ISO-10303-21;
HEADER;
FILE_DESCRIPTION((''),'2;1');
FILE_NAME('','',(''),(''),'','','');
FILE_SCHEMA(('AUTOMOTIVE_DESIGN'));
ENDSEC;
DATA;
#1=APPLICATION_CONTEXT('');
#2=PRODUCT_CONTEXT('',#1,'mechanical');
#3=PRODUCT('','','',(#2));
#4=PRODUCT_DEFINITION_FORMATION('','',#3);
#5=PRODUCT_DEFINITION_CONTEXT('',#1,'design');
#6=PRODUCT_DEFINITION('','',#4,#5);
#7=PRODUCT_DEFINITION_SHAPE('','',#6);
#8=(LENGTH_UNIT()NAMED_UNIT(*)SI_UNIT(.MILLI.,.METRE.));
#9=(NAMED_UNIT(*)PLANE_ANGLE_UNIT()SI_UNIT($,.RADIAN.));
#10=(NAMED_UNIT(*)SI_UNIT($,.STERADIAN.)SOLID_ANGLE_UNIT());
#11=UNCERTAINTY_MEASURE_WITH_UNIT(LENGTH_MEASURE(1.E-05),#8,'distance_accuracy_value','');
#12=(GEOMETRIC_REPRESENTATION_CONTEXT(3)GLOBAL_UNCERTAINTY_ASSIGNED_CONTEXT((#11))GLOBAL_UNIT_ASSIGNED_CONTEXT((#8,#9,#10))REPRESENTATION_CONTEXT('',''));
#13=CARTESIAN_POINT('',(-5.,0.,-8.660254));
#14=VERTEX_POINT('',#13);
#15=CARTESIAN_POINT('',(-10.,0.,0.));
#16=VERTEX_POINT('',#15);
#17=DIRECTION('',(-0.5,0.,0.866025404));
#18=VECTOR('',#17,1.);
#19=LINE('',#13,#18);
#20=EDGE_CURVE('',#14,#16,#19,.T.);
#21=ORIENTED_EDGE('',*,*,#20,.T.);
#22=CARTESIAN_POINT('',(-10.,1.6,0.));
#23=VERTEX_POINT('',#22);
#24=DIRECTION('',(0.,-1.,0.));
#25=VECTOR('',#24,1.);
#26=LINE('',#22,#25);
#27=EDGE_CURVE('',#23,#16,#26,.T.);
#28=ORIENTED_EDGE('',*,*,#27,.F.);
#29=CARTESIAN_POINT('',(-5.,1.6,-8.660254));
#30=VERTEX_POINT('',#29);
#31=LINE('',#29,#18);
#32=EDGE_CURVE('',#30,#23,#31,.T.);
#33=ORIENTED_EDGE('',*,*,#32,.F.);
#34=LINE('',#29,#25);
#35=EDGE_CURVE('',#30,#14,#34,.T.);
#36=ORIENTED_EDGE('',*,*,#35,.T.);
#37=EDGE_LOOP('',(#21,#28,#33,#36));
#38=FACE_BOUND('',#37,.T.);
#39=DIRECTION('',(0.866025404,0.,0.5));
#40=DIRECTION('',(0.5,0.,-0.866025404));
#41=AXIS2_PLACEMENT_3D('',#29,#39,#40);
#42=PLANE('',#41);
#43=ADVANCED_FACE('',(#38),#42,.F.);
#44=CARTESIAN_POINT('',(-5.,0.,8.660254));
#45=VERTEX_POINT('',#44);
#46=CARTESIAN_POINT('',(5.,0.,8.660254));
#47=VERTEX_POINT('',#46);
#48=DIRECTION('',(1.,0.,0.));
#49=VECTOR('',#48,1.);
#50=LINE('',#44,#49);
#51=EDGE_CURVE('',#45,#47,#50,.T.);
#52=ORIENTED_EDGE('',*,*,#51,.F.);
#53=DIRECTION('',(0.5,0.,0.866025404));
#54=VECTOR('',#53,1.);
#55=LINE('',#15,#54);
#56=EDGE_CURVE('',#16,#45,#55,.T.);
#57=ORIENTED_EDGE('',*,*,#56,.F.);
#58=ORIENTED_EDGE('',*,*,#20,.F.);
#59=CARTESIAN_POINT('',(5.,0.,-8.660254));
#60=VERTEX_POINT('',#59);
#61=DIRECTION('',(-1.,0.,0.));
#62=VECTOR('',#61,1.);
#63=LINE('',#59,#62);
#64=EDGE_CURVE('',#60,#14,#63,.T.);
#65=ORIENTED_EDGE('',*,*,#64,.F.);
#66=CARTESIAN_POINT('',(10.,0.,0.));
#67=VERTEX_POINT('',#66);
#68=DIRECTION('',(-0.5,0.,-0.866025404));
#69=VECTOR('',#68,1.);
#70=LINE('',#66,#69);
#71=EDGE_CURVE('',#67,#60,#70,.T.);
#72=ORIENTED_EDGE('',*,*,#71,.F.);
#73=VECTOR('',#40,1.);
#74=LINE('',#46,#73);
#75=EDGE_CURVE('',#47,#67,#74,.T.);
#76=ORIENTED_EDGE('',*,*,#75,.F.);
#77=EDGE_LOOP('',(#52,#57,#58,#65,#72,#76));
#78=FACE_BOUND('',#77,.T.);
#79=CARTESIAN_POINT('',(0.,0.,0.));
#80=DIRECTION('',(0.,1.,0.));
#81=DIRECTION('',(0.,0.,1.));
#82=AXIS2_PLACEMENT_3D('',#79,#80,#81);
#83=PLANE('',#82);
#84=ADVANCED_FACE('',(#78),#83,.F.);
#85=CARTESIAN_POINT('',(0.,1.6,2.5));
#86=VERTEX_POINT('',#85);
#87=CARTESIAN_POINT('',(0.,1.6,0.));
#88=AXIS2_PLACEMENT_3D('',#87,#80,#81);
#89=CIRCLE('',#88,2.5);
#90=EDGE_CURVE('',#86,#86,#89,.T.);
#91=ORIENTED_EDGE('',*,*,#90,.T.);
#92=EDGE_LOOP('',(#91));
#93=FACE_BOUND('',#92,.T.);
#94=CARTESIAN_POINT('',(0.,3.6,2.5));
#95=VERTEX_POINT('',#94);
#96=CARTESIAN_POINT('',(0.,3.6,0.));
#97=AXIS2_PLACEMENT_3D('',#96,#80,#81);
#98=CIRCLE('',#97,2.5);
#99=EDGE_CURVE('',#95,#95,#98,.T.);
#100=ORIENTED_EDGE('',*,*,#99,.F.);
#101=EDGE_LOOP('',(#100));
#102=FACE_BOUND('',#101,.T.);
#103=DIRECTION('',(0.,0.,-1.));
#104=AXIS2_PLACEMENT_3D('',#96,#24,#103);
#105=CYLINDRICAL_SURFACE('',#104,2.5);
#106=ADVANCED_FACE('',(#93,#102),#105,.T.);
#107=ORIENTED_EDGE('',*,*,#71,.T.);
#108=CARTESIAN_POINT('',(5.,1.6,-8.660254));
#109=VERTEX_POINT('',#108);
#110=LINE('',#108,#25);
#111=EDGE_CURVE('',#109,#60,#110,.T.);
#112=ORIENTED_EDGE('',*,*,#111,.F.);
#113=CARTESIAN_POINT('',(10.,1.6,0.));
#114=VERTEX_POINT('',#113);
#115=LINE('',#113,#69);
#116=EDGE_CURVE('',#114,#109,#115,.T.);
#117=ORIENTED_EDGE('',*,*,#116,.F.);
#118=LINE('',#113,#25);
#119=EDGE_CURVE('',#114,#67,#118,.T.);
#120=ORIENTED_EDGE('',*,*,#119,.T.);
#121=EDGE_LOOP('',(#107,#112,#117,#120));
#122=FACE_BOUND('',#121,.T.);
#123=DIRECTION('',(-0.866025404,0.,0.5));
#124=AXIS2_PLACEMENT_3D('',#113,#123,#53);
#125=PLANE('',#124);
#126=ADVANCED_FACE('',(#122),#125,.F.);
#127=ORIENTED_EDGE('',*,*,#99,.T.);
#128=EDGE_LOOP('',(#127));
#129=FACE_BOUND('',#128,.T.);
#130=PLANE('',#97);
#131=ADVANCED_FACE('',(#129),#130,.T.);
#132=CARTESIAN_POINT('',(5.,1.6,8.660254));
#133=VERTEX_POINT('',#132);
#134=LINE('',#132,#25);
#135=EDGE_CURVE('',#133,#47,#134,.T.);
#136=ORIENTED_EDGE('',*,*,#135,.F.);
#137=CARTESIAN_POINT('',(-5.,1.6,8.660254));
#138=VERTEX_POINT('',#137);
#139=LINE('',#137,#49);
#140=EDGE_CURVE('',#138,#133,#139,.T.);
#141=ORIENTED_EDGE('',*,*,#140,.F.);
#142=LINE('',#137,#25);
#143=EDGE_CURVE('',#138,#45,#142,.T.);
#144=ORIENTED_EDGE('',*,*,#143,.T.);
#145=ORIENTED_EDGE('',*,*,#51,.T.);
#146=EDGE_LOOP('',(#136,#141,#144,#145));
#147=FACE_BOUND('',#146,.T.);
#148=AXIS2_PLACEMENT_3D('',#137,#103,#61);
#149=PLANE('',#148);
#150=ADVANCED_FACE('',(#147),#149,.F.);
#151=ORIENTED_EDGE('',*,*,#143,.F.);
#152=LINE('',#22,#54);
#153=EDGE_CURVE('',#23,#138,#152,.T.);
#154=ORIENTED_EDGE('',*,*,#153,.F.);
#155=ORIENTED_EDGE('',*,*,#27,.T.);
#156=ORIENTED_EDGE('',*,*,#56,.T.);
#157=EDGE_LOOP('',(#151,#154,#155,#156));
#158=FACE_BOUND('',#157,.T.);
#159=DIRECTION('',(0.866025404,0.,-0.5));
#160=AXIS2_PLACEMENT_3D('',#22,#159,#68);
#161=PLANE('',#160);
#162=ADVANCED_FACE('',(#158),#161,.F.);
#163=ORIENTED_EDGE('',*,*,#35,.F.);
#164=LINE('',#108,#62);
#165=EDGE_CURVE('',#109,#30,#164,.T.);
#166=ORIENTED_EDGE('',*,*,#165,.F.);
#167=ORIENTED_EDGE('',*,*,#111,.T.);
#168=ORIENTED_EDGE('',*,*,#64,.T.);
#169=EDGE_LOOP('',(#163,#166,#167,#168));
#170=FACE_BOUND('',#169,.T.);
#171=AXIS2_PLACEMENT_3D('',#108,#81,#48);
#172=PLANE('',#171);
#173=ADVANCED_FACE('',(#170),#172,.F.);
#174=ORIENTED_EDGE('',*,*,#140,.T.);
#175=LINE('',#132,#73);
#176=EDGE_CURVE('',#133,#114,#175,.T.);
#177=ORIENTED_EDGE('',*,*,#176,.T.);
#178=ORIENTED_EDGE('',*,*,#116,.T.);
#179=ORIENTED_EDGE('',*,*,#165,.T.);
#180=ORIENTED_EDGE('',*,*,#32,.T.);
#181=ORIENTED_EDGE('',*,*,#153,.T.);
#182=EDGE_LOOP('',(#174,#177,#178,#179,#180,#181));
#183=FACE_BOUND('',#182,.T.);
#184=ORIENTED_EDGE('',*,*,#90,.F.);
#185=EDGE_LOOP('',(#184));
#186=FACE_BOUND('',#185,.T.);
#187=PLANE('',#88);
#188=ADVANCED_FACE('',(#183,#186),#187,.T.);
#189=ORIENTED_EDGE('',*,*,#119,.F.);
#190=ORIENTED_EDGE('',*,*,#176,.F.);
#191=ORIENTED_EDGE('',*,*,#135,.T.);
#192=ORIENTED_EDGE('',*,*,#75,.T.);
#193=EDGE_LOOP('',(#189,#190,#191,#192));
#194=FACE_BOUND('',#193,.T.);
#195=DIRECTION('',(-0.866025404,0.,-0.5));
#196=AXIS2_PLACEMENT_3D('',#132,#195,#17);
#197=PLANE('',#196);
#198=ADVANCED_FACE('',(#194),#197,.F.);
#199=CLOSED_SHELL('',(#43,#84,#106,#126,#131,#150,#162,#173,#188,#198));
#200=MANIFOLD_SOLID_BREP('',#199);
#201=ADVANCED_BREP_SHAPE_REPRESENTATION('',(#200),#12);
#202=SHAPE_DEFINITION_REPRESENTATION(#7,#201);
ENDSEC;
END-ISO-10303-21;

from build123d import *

# Parameters (mm, degrees)
EXTRUDE_1_DEPTH = 1.6
SKETCH_2_R      = 2.5
EXTRUDE_2_DEPTH = 2


with BuildPart() as part:
    # 草图1 → 凸台-拉伸1 (new body)
    with BuildSketch(Plane(origin=(0, 0, 0), x_dir=(1, 0, 0), z_dir=(0, 1, 0))):
        Polygon((10, 0), (5, 8.660254038), (-5, 8.660254038), (-10, 0), (-5, -8.660254038), (5, -8.660254038), align=None)
    extrude(amount=EXTRUDE_1_DEPTH)

    # 草图2 → 凸台-拉伸2 (add)
    with BuildSketch(Plane(origin=(0, 1.6, 0), x_dir=(1, 0, 0), z_dir=(0, 1, 0))):
        Circle(SKETCH_2_R)
    extrude(amount=EXTRUDE_2_DEPTH)


solid = part.part
